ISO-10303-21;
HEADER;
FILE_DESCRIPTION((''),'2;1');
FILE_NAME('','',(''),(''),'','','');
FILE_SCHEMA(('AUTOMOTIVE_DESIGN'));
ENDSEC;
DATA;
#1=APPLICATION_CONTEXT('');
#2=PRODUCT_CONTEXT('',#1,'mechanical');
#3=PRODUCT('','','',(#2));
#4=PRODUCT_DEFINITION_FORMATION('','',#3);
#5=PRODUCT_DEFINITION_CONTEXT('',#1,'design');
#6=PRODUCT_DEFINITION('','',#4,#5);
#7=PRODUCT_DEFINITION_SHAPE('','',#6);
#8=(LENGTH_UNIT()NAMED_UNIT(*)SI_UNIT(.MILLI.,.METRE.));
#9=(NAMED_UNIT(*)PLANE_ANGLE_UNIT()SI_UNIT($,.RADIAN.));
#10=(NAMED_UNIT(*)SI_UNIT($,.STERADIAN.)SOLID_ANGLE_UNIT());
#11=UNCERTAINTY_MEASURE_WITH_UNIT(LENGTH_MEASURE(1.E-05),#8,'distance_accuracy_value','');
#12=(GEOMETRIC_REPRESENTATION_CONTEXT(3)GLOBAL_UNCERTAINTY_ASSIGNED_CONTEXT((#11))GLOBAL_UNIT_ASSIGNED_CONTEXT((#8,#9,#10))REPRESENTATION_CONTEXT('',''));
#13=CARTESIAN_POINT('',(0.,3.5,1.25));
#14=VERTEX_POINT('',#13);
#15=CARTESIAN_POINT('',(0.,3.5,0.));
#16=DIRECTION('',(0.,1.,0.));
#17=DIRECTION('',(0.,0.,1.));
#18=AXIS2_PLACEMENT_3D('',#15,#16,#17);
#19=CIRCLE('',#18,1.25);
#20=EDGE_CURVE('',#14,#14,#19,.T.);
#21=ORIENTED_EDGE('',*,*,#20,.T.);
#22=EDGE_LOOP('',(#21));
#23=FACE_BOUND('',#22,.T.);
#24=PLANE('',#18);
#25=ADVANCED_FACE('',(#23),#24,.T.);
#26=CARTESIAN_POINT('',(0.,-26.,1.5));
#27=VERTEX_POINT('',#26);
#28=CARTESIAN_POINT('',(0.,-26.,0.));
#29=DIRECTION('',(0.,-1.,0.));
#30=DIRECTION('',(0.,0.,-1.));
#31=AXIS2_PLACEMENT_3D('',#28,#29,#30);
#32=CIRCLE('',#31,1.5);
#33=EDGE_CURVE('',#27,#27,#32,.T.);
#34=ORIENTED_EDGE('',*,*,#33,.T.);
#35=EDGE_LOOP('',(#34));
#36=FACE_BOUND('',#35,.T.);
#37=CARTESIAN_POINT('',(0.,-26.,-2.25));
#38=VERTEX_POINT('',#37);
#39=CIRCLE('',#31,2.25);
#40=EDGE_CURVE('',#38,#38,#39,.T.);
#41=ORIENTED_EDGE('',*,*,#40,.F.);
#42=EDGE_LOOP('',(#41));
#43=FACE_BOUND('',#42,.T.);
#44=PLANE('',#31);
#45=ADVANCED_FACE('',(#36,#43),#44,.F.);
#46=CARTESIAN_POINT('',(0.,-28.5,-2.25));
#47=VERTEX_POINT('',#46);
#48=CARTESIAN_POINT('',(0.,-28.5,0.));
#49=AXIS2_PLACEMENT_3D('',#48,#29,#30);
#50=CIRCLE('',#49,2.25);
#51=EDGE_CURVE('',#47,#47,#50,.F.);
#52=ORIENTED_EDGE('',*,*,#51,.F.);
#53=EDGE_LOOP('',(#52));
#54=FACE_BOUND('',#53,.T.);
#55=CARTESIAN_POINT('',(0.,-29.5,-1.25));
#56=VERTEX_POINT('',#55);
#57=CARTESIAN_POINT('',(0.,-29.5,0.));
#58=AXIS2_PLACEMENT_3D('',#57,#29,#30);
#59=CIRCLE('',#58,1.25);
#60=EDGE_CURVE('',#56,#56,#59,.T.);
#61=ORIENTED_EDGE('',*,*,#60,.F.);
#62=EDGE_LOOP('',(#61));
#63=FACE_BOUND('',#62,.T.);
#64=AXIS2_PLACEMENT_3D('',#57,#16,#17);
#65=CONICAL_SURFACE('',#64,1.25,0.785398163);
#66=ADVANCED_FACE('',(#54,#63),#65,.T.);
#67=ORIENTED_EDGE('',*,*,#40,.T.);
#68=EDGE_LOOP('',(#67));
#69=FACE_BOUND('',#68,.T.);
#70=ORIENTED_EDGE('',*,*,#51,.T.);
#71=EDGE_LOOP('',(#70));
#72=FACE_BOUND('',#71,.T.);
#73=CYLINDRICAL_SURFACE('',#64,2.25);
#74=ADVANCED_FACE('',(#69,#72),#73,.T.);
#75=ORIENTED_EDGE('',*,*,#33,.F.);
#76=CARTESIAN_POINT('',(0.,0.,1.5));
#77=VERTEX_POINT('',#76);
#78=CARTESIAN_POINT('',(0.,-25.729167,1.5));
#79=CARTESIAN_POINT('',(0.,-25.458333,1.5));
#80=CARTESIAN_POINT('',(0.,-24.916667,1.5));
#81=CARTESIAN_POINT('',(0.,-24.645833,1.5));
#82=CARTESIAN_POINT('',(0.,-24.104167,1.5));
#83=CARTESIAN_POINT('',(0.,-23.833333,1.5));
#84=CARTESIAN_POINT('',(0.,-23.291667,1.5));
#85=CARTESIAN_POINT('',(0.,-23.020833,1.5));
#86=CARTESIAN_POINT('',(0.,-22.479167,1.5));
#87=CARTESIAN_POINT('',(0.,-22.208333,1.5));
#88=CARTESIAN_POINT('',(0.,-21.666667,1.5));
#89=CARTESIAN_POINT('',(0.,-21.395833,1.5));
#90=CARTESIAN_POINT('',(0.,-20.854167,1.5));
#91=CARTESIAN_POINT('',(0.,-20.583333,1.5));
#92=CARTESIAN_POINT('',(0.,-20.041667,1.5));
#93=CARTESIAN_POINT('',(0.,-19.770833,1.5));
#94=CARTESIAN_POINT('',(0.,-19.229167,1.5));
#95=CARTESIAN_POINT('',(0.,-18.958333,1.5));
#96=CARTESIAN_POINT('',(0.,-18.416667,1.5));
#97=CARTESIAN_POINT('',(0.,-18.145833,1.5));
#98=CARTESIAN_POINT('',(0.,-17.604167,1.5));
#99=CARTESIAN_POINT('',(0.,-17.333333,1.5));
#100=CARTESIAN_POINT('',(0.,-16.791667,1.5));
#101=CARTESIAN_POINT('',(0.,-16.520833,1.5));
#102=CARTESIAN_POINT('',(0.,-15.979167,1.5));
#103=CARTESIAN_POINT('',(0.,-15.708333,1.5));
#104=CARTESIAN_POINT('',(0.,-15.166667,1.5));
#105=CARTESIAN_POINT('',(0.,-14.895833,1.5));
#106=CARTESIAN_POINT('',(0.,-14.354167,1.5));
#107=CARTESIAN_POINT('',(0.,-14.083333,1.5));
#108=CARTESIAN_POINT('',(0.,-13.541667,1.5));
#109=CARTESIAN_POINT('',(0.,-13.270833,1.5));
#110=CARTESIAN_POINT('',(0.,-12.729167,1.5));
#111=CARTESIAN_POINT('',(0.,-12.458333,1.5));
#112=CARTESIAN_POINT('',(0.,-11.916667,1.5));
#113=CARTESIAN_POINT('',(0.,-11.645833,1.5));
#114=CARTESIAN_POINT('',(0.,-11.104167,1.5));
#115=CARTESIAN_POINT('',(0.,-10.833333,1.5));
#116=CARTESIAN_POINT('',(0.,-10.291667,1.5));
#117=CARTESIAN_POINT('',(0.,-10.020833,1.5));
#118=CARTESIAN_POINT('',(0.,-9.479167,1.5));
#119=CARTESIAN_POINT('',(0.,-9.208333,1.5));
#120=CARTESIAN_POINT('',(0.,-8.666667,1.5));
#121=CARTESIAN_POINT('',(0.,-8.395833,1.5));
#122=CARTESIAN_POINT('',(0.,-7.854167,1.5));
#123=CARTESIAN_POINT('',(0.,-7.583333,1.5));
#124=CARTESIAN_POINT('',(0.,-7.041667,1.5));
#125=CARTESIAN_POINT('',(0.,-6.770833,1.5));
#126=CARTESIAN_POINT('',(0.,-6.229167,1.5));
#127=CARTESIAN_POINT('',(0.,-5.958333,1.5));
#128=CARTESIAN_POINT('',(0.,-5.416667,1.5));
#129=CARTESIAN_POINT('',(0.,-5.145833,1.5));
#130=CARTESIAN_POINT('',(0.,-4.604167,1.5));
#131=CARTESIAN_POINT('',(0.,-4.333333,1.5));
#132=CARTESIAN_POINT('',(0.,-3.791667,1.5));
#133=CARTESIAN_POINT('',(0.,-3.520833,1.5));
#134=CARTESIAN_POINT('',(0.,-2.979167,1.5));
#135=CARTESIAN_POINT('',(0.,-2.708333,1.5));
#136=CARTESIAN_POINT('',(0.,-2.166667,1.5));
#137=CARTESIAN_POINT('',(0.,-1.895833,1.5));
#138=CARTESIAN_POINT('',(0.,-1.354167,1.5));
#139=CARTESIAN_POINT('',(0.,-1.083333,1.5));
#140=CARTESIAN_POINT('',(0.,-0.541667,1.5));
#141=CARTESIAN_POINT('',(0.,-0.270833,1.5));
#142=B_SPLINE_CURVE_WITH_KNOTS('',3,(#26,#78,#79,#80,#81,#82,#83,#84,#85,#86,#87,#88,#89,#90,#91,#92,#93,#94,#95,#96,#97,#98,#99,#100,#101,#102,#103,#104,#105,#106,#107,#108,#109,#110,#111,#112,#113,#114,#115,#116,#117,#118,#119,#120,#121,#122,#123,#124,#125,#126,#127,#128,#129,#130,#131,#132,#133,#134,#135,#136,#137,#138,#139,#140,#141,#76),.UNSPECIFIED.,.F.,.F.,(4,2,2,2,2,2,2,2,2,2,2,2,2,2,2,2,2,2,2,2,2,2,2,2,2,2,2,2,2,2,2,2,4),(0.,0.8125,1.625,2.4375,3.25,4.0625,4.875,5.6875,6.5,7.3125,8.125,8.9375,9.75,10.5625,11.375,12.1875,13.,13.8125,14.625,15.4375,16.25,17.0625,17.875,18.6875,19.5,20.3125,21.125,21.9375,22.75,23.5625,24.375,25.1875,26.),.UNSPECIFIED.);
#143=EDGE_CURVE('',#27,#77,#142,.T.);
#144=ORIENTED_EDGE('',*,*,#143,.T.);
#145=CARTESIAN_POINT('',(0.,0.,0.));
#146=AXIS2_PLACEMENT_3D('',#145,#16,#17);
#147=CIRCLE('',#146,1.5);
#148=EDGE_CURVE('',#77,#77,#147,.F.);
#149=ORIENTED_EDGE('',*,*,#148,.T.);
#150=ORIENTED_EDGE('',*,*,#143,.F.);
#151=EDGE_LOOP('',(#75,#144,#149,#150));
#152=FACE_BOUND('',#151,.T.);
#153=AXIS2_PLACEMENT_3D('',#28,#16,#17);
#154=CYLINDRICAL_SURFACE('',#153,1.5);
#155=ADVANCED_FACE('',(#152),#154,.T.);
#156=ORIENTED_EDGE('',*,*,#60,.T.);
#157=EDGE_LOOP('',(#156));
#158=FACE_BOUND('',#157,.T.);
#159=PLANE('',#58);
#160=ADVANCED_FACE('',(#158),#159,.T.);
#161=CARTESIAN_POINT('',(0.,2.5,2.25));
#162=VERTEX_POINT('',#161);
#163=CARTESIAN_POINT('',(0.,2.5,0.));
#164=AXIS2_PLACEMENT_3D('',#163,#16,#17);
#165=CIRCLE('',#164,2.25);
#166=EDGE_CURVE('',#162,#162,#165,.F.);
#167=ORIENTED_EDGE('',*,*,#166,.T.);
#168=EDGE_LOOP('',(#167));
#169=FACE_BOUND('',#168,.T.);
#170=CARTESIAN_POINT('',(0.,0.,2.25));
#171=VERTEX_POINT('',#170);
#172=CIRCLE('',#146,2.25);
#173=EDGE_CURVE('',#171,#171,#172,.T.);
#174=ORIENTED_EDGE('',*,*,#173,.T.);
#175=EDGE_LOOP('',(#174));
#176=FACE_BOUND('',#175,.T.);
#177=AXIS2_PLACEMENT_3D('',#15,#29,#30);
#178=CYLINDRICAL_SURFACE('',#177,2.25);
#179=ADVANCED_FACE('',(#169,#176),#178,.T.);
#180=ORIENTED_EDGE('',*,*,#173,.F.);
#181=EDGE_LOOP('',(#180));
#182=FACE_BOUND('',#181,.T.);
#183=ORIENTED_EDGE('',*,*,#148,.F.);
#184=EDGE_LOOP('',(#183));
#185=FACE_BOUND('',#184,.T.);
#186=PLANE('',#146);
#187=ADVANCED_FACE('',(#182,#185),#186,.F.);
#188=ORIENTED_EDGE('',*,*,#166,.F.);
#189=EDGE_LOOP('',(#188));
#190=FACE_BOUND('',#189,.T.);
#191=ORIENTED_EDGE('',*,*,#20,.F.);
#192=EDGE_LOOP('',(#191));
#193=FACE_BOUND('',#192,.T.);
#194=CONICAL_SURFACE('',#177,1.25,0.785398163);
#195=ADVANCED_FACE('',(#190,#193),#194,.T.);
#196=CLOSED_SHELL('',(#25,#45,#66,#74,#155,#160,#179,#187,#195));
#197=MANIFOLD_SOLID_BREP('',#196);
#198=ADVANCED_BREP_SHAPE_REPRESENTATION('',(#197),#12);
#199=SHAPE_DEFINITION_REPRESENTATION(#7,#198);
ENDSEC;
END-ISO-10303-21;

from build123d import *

# Parameters (mm, degrees)
SKETCH1_R           = 2.25
BOSS_EXTRUDE1_DEPTH = 3.5
SKETCH2_R           = 1.5
BOSS_EXTRUDE2_DEPTH = 26
BOSS_EXTRUDE3_START = 3.5
SKETCH3_R           = 2.25
BOSS_EXTRUDE3_DEPTH = 3.5
CHAMFER1_SIZE       = 1


with BuildPart() as part:
    # Sketch1 → Boss-Extrude1 (new body)
    with BuildSketch(Plane(origin=(0, 0, 0), x_dir=(1, 0, 0), z_dir=(0, 1, 0))):
        with Locations(Location((0, 0, 0), (0, 0, 270))):
            Circle(SKETCH1_R)
    extrude(amount=BOSS_EXTRUDE1_DEPTH)

    # Sketch2 → Boss-Extrude2 (add)
    with BuildSketch(Plane.XZ):
        with Locations(Location((0, 0, 0), (0, 0, 90))):
            Circle(SKETCH2_R)
    extrude(amount=BOSS_EXTRUDE2_DEPTH)

    # Sketch3 → Boss-Extrude3 (add)
    with BuildSketch(Plane.XZ.offset(26).offset(BOSS_EXTRUDE3_START)):
        with Locations(Location((0, 0, 0), (0, 0, 90))):
            Circle(SKETCH3_R)
    extrude(amount=-BOSS_EXTRUDE3_DEPTH)

    # Chamfer1
    chamfer1_edges = [part.edges().sort_by_distance(p)[0] for p in [
        (0, -29.5, -2.25),
        (0, 3.5, -2.25),
    ]]
    chamfer(chamfer1_edges, length=CHAMFER1_SIZE)


solid = part.part
